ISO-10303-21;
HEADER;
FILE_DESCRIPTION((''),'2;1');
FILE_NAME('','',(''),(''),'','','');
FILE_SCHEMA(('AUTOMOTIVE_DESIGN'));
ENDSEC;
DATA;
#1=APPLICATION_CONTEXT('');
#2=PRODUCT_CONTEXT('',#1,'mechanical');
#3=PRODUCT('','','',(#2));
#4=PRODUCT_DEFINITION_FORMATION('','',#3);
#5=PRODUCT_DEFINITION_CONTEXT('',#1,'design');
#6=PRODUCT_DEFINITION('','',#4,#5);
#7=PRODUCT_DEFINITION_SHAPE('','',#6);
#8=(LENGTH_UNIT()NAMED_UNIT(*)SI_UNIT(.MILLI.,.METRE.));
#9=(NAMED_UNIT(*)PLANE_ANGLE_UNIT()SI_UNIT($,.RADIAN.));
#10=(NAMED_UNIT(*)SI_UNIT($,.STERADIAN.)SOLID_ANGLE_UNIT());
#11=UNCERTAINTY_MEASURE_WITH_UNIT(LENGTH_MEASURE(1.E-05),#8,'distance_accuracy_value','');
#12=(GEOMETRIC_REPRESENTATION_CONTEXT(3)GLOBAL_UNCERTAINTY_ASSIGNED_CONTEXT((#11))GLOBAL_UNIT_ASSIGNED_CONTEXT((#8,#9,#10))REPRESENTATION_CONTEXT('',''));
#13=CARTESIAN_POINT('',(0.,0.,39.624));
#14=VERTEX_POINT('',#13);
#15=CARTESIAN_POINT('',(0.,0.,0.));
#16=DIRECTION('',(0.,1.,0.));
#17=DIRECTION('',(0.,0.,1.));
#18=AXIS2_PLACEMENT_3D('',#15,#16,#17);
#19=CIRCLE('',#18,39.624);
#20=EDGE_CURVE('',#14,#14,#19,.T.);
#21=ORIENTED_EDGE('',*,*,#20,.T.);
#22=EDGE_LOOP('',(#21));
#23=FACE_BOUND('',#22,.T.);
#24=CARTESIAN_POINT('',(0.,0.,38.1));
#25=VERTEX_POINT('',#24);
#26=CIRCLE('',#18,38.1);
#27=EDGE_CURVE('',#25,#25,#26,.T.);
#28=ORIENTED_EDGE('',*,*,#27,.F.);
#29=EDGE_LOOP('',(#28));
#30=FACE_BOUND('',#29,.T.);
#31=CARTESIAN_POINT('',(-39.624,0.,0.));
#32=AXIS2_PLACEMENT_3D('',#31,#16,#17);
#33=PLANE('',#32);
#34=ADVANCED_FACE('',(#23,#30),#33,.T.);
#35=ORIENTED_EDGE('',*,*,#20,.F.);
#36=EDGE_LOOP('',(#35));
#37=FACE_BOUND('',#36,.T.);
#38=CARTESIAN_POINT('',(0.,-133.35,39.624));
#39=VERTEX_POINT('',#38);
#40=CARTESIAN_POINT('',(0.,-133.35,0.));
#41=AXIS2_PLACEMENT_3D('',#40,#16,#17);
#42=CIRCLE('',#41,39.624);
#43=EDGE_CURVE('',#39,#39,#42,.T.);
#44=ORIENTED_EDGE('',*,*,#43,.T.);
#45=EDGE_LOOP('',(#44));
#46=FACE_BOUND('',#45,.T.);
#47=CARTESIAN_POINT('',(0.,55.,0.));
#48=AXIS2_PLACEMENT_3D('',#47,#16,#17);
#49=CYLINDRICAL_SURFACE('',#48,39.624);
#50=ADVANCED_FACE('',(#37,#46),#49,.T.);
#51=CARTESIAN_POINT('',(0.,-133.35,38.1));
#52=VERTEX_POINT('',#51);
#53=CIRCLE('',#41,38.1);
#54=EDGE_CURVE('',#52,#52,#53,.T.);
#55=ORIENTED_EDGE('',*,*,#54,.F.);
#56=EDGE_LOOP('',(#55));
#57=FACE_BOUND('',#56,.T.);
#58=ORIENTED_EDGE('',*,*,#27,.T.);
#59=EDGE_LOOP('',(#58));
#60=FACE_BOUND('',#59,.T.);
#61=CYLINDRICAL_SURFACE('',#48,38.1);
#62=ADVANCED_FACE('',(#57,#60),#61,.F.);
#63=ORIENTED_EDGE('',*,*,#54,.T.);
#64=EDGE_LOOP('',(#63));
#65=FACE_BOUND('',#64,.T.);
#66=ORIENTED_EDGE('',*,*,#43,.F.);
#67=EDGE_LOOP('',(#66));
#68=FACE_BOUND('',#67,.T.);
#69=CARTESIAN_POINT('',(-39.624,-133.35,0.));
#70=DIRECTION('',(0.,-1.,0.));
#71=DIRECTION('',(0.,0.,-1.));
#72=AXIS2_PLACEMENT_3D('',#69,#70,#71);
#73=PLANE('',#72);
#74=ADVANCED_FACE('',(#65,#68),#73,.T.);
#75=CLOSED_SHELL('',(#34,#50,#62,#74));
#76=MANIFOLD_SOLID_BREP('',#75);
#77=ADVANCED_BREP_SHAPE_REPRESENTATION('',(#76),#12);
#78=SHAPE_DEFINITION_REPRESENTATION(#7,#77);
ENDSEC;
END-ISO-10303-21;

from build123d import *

# Parameters (mm, degrees)
SKETCH2_W = 1.524
SKETCH2_H = 133.35


with BuildPart() as part:
    # Sketch2 → Revolve1 (revolve)
    with BuildSketch(Plane.XY):
        with Locations((-38.862, -66.675)):
            Rectangle(SKETCH2_W, SKETCH2_H)
    revolve(axis=Axis((0, 55, 0), (0, -1, 0)))


solid = part.part
